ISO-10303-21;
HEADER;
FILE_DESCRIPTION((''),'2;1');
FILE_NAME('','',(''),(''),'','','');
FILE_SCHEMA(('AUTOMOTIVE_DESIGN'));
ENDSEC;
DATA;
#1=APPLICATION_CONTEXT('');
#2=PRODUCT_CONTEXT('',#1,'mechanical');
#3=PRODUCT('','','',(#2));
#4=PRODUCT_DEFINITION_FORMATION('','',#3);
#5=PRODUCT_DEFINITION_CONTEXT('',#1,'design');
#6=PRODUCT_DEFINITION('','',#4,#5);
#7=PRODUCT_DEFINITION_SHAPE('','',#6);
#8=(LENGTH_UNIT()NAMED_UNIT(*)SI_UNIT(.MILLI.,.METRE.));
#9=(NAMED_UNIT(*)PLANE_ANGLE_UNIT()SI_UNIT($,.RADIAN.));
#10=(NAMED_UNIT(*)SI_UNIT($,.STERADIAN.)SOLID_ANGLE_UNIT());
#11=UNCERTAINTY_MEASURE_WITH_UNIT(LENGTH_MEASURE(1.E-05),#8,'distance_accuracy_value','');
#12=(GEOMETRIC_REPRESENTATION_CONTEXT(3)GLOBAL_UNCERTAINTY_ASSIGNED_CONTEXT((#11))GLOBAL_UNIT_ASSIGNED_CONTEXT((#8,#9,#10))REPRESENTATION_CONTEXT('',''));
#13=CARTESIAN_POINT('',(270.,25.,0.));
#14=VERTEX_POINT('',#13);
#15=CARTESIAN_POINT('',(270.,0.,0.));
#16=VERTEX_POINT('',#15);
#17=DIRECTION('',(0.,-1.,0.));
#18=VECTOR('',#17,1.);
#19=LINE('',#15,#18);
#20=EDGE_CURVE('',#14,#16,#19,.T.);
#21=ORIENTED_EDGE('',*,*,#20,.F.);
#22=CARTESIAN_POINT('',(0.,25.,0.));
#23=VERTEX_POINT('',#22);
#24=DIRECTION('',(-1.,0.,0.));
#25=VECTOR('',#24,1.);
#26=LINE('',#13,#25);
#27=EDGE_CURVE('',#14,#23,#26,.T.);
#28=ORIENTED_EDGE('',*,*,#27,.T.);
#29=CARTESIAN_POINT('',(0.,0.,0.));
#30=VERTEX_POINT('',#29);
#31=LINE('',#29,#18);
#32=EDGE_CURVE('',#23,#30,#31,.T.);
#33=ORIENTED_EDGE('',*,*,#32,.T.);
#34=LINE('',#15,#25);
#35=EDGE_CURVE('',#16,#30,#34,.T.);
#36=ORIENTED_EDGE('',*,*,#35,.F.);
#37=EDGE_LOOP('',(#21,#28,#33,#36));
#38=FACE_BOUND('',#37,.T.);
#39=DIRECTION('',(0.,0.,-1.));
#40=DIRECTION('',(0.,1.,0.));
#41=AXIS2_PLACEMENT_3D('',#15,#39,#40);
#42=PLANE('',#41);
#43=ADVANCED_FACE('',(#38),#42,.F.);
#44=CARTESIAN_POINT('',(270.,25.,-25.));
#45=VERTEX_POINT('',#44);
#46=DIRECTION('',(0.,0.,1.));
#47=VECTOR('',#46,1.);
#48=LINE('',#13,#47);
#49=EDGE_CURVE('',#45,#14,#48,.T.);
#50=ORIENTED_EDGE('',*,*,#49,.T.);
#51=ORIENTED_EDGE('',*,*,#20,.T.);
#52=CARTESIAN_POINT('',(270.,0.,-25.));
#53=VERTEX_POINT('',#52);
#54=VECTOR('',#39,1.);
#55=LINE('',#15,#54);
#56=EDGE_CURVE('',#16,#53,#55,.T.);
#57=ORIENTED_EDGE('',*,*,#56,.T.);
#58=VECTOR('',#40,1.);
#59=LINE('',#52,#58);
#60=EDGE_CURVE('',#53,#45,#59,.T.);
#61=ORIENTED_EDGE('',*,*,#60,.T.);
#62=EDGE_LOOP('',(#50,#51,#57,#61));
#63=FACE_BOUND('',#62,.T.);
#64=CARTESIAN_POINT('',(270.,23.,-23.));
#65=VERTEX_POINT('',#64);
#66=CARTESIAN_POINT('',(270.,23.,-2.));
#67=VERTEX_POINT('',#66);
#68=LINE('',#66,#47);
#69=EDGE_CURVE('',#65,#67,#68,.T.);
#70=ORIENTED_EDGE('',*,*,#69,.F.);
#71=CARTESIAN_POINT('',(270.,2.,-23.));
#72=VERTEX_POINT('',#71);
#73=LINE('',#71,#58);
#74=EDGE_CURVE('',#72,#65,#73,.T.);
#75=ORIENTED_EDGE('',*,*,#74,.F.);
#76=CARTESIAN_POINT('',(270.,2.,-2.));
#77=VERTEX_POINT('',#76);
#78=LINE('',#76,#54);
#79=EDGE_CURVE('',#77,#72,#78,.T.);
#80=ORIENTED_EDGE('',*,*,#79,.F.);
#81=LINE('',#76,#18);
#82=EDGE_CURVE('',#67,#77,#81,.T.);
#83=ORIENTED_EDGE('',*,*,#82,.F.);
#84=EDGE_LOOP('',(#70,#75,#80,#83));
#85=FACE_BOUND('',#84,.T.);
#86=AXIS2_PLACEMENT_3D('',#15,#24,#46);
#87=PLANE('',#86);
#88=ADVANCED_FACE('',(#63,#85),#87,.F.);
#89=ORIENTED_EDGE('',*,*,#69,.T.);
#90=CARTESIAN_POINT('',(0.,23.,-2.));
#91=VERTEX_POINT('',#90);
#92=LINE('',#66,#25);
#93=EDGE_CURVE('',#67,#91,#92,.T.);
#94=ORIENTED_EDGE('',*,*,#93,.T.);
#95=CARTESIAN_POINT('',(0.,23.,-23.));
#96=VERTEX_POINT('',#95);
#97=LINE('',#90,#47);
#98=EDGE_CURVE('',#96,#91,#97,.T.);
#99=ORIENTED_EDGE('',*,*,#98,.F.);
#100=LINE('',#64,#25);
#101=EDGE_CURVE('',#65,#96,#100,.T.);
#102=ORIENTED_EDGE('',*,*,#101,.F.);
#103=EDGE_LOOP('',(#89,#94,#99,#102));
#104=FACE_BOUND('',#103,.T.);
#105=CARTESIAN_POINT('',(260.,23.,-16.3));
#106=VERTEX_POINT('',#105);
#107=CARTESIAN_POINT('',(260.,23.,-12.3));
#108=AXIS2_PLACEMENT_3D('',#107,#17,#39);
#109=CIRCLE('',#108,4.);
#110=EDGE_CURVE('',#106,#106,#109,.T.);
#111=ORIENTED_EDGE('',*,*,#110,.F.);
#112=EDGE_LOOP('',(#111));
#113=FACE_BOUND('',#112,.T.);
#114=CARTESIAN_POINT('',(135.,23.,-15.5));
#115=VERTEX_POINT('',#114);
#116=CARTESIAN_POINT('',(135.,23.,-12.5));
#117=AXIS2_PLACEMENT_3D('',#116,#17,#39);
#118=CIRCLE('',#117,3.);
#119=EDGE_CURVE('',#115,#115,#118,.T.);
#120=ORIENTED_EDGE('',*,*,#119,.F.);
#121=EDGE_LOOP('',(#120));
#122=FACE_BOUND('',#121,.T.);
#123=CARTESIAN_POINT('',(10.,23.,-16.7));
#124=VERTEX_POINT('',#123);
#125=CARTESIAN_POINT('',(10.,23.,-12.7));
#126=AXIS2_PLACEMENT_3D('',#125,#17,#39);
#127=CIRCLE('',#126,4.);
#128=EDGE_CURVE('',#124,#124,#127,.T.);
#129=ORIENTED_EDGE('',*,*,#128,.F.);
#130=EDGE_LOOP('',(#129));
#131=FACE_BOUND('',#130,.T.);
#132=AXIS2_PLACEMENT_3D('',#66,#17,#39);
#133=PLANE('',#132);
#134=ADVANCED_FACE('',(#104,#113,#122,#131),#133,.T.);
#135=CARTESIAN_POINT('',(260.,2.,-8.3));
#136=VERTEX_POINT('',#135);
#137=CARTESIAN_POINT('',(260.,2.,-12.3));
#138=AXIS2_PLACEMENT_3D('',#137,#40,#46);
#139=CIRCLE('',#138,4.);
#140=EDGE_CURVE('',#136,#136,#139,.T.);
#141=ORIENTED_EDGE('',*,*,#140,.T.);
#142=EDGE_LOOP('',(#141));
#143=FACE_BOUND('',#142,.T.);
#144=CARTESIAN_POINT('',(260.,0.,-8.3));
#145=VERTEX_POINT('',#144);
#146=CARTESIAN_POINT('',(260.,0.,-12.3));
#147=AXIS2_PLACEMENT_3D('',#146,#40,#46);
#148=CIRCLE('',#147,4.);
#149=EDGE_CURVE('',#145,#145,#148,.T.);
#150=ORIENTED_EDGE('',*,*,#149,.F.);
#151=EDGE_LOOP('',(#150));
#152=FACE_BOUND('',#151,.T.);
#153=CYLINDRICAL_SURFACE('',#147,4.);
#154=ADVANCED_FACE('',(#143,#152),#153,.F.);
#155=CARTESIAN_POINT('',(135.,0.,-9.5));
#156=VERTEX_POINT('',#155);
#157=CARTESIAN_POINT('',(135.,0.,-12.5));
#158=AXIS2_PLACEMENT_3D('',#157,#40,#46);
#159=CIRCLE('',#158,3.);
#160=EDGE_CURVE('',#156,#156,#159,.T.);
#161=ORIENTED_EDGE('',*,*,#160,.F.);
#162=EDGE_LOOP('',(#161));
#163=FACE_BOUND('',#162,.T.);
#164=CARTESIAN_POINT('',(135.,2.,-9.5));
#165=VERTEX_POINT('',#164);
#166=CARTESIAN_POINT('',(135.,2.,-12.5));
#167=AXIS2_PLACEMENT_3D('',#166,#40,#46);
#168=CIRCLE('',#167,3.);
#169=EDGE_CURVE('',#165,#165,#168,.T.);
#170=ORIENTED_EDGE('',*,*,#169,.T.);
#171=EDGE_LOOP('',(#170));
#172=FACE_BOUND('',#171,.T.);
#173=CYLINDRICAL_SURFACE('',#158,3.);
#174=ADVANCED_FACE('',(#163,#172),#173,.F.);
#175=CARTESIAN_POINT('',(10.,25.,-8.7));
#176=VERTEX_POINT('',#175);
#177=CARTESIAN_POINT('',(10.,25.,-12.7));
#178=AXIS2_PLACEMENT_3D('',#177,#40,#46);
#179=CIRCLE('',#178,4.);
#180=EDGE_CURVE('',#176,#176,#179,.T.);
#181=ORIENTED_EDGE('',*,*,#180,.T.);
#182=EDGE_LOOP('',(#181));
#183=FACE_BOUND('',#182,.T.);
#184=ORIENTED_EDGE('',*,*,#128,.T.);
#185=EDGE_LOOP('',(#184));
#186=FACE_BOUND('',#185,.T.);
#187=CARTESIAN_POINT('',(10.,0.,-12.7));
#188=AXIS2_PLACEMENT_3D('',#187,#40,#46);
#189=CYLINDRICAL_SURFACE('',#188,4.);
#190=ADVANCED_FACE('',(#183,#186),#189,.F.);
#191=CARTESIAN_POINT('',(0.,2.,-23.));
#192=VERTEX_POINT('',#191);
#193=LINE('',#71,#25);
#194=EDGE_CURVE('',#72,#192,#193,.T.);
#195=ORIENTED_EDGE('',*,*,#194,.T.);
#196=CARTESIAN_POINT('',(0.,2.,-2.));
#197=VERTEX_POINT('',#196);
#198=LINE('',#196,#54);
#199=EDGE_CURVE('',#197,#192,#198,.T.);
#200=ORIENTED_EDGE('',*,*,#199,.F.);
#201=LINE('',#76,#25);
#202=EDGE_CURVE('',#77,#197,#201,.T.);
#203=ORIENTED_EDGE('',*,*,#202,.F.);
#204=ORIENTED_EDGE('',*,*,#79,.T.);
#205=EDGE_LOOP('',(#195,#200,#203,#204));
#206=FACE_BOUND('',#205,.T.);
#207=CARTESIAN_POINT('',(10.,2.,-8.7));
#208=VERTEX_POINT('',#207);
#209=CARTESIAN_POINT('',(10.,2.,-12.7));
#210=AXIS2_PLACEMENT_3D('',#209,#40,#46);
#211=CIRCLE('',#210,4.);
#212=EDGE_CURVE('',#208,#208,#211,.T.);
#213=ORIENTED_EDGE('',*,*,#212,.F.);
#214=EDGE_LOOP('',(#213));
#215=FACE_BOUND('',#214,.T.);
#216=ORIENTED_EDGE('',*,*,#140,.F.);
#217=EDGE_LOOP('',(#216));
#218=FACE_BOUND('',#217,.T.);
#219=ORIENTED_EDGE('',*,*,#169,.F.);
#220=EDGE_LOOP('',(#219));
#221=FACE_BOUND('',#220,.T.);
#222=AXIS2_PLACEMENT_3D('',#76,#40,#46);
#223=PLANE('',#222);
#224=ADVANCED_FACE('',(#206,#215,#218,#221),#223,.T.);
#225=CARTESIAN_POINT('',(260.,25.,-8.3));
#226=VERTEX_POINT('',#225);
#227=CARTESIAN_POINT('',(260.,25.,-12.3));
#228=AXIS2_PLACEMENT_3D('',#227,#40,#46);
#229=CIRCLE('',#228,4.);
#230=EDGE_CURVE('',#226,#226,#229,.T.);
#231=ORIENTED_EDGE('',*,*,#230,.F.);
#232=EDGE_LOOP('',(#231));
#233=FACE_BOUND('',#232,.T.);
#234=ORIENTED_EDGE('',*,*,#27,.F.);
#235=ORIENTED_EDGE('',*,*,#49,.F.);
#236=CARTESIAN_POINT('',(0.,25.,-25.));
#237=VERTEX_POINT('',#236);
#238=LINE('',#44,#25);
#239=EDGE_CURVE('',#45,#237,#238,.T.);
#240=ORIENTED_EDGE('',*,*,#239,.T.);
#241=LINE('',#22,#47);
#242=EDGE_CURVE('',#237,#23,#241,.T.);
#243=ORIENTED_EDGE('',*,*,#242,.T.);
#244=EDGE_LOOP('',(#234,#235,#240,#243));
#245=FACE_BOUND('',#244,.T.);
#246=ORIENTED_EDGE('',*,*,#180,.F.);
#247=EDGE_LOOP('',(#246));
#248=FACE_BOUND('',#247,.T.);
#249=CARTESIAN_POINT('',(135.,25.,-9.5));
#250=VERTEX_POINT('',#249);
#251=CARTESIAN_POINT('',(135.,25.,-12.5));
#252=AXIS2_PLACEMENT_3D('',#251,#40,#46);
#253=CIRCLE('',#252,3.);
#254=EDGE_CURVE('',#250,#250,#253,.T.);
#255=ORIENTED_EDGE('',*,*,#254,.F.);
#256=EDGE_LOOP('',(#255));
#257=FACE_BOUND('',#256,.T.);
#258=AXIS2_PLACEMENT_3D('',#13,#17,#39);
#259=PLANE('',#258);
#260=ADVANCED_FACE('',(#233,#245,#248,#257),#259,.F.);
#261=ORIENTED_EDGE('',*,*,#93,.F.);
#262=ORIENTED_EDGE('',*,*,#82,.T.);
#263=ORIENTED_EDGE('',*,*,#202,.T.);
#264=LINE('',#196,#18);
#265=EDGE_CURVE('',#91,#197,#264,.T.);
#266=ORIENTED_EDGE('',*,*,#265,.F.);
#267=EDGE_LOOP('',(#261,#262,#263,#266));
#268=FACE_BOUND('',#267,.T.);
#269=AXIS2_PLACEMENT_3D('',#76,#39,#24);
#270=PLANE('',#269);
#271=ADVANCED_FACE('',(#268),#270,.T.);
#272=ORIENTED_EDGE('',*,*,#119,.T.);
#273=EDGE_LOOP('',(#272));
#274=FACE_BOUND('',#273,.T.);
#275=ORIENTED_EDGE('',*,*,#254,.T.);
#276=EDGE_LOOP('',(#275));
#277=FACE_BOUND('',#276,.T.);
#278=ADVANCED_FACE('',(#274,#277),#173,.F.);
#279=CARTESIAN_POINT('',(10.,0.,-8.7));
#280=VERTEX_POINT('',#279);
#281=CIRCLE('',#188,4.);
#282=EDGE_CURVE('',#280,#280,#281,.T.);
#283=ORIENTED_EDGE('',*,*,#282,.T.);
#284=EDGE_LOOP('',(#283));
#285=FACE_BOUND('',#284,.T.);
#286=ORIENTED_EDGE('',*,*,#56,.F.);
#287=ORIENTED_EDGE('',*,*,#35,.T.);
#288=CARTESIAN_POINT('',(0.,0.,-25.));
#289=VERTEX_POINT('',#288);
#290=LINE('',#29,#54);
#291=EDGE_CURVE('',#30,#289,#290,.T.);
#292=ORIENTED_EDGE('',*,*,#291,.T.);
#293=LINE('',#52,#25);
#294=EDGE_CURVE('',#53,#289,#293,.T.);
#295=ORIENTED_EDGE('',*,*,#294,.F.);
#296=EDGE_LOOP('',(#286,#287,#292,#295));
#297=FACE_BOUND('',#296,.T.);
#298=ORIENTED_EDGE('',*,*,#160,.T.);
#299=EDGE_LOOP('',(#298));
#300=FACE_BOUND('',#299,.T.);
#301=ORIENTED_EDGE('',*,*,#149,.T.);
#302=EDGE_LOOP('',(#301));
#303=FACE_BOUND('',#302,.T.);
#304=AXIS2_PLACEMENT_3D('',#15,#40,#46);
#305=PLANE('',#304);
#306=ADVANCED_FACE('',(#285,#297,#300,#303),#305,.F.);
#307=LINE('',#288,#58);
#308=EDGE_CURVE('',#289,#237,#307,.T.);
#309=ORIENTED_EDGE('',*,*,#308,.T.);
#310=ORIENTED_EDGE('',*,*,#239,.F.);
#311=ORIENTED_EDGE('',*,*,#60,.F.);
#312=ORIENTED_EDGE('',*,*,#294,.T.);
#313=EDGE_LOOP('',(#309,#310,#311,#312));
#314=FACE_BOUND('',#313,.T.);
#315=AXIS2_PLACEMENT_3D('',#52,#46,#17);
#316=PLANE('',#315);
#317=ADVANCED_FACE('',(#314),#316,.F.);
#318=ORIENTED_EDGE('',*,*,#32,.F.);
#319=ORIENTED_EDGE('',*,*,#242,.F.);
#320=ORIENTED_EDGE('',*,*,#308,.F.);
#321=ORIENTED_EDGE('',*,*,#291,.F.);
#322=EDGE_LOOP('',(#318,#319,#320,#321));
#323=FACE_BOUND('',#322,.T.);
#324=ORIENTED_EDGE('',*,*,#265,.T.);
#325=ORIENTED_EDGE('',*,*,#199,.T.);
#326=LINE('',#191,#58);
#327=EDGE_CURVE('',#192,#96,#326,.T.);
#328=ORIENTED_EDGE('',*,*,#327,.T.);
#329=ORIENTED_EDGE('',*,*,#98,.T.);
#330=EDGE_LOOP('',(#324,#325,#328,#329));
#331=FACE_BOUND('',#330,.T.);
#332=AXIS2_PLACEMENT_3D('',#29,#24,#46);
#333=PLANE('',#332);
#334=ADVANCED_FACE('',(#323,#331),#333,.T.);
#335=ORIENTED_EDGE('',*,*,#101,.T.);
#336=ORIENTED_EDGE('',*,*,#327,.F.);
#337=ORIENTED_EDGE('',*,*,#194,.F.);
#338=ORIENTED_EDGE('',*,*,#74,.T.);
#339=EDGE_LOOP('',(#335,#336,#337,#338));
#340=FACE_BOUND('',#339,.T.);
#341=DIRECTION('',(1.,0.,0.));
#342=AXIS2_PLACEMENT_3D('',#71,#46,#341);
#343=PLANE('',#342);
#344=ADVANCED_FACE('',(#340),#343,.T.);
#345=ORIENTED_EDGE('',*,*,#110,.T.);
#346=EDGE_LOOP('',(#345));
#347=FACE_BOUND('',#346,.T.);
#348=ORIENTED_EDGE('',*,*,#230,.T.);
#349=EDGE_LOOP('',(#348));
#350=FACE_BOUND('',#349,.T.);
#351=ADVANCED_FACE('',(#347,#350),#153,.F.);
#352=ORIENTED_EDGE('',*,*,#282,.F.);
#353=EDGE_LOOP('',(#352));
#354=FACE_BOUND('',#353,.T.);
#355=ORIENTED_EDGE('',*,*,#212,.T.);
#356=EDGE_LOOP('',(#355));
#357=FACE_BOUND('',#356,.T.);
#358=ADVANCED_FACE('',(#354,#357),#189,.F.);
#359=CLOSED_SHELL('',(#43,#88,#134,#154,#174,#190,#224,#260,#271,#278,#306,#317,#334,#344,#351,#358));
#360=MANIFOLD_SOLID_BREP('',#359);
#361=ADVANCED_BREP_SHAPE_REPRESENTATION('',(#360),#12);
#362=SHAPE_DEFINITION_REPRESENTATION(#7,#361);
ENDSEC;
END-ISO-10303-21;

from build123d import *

# Parameters (mm, degrees)
SKETCH1_W           = 25
SKETCH1_H           = 25
SKETCH1_W_2         = 21
SKETCH1_H_2         = 21
BOSS_EXTRUDE1_DEPTH = 270
SKETCH2_R           = 3
CUT_EXTRUDE1_DEPTH  = 273.304976084
SKETCH3_R           = 4
CUT_EXTRUDE2_DEPTH  = 273.304976084


with BuildPart() as part:
    # Sketch1 → Boss-Extrude1 (new body)
    with BuildSketch(Plane(origin=(0, 0, 0), x_dir=(0, 0, -1), z_dir=(1, 0, 0))):
        with Locations((12.5, 12.5)):
            Rectangle(SKETCH1_W, SKETCH1_H)
        with Locations((12.5, 12.5)):
            Rectangle(SKETCH1_W_2, SKETCH1_H_2, mode=Mode.SUBTRACT)
    extrude(amount=BOSS_EXTRUDE1_DEPTH)

    # Sketch2 → Cut-Extrude1 (cut, through all)
    with BuildSketch(Plane(origin=(0, 25, 0), x_dir=(1, 0, 0), z_dir=(0, 1, 0))):
        with Locations(Location((135, 12.5, 0), (0, 0, 270))):
            Circle(SKETCH2_R)
    extrude(amount=-CUT_EXTRUDE1_DEPTH, mode=Mode.SUBTRACT)

    # Sketch3 → Cut-Extrude2 (cut, through all)
    with BuildSketch(Plane(origin=(0, 25, 0), x_dir=(1, 0, 0), z_dir=(0, 1, 0))):
        with Locations(Location((10, 12.7, 0), (0, 0, 270))):
            Circle(SKETCH3_R)
        with Locations(Location((260, 12.3, 0), (0, 0, 270))):
            Circle(SKETCH3_R)
    extrude(amount=-CUT_EXTRUDE2_DEPTH, mode=Mode.SUBTRACT)


solid = part.part
